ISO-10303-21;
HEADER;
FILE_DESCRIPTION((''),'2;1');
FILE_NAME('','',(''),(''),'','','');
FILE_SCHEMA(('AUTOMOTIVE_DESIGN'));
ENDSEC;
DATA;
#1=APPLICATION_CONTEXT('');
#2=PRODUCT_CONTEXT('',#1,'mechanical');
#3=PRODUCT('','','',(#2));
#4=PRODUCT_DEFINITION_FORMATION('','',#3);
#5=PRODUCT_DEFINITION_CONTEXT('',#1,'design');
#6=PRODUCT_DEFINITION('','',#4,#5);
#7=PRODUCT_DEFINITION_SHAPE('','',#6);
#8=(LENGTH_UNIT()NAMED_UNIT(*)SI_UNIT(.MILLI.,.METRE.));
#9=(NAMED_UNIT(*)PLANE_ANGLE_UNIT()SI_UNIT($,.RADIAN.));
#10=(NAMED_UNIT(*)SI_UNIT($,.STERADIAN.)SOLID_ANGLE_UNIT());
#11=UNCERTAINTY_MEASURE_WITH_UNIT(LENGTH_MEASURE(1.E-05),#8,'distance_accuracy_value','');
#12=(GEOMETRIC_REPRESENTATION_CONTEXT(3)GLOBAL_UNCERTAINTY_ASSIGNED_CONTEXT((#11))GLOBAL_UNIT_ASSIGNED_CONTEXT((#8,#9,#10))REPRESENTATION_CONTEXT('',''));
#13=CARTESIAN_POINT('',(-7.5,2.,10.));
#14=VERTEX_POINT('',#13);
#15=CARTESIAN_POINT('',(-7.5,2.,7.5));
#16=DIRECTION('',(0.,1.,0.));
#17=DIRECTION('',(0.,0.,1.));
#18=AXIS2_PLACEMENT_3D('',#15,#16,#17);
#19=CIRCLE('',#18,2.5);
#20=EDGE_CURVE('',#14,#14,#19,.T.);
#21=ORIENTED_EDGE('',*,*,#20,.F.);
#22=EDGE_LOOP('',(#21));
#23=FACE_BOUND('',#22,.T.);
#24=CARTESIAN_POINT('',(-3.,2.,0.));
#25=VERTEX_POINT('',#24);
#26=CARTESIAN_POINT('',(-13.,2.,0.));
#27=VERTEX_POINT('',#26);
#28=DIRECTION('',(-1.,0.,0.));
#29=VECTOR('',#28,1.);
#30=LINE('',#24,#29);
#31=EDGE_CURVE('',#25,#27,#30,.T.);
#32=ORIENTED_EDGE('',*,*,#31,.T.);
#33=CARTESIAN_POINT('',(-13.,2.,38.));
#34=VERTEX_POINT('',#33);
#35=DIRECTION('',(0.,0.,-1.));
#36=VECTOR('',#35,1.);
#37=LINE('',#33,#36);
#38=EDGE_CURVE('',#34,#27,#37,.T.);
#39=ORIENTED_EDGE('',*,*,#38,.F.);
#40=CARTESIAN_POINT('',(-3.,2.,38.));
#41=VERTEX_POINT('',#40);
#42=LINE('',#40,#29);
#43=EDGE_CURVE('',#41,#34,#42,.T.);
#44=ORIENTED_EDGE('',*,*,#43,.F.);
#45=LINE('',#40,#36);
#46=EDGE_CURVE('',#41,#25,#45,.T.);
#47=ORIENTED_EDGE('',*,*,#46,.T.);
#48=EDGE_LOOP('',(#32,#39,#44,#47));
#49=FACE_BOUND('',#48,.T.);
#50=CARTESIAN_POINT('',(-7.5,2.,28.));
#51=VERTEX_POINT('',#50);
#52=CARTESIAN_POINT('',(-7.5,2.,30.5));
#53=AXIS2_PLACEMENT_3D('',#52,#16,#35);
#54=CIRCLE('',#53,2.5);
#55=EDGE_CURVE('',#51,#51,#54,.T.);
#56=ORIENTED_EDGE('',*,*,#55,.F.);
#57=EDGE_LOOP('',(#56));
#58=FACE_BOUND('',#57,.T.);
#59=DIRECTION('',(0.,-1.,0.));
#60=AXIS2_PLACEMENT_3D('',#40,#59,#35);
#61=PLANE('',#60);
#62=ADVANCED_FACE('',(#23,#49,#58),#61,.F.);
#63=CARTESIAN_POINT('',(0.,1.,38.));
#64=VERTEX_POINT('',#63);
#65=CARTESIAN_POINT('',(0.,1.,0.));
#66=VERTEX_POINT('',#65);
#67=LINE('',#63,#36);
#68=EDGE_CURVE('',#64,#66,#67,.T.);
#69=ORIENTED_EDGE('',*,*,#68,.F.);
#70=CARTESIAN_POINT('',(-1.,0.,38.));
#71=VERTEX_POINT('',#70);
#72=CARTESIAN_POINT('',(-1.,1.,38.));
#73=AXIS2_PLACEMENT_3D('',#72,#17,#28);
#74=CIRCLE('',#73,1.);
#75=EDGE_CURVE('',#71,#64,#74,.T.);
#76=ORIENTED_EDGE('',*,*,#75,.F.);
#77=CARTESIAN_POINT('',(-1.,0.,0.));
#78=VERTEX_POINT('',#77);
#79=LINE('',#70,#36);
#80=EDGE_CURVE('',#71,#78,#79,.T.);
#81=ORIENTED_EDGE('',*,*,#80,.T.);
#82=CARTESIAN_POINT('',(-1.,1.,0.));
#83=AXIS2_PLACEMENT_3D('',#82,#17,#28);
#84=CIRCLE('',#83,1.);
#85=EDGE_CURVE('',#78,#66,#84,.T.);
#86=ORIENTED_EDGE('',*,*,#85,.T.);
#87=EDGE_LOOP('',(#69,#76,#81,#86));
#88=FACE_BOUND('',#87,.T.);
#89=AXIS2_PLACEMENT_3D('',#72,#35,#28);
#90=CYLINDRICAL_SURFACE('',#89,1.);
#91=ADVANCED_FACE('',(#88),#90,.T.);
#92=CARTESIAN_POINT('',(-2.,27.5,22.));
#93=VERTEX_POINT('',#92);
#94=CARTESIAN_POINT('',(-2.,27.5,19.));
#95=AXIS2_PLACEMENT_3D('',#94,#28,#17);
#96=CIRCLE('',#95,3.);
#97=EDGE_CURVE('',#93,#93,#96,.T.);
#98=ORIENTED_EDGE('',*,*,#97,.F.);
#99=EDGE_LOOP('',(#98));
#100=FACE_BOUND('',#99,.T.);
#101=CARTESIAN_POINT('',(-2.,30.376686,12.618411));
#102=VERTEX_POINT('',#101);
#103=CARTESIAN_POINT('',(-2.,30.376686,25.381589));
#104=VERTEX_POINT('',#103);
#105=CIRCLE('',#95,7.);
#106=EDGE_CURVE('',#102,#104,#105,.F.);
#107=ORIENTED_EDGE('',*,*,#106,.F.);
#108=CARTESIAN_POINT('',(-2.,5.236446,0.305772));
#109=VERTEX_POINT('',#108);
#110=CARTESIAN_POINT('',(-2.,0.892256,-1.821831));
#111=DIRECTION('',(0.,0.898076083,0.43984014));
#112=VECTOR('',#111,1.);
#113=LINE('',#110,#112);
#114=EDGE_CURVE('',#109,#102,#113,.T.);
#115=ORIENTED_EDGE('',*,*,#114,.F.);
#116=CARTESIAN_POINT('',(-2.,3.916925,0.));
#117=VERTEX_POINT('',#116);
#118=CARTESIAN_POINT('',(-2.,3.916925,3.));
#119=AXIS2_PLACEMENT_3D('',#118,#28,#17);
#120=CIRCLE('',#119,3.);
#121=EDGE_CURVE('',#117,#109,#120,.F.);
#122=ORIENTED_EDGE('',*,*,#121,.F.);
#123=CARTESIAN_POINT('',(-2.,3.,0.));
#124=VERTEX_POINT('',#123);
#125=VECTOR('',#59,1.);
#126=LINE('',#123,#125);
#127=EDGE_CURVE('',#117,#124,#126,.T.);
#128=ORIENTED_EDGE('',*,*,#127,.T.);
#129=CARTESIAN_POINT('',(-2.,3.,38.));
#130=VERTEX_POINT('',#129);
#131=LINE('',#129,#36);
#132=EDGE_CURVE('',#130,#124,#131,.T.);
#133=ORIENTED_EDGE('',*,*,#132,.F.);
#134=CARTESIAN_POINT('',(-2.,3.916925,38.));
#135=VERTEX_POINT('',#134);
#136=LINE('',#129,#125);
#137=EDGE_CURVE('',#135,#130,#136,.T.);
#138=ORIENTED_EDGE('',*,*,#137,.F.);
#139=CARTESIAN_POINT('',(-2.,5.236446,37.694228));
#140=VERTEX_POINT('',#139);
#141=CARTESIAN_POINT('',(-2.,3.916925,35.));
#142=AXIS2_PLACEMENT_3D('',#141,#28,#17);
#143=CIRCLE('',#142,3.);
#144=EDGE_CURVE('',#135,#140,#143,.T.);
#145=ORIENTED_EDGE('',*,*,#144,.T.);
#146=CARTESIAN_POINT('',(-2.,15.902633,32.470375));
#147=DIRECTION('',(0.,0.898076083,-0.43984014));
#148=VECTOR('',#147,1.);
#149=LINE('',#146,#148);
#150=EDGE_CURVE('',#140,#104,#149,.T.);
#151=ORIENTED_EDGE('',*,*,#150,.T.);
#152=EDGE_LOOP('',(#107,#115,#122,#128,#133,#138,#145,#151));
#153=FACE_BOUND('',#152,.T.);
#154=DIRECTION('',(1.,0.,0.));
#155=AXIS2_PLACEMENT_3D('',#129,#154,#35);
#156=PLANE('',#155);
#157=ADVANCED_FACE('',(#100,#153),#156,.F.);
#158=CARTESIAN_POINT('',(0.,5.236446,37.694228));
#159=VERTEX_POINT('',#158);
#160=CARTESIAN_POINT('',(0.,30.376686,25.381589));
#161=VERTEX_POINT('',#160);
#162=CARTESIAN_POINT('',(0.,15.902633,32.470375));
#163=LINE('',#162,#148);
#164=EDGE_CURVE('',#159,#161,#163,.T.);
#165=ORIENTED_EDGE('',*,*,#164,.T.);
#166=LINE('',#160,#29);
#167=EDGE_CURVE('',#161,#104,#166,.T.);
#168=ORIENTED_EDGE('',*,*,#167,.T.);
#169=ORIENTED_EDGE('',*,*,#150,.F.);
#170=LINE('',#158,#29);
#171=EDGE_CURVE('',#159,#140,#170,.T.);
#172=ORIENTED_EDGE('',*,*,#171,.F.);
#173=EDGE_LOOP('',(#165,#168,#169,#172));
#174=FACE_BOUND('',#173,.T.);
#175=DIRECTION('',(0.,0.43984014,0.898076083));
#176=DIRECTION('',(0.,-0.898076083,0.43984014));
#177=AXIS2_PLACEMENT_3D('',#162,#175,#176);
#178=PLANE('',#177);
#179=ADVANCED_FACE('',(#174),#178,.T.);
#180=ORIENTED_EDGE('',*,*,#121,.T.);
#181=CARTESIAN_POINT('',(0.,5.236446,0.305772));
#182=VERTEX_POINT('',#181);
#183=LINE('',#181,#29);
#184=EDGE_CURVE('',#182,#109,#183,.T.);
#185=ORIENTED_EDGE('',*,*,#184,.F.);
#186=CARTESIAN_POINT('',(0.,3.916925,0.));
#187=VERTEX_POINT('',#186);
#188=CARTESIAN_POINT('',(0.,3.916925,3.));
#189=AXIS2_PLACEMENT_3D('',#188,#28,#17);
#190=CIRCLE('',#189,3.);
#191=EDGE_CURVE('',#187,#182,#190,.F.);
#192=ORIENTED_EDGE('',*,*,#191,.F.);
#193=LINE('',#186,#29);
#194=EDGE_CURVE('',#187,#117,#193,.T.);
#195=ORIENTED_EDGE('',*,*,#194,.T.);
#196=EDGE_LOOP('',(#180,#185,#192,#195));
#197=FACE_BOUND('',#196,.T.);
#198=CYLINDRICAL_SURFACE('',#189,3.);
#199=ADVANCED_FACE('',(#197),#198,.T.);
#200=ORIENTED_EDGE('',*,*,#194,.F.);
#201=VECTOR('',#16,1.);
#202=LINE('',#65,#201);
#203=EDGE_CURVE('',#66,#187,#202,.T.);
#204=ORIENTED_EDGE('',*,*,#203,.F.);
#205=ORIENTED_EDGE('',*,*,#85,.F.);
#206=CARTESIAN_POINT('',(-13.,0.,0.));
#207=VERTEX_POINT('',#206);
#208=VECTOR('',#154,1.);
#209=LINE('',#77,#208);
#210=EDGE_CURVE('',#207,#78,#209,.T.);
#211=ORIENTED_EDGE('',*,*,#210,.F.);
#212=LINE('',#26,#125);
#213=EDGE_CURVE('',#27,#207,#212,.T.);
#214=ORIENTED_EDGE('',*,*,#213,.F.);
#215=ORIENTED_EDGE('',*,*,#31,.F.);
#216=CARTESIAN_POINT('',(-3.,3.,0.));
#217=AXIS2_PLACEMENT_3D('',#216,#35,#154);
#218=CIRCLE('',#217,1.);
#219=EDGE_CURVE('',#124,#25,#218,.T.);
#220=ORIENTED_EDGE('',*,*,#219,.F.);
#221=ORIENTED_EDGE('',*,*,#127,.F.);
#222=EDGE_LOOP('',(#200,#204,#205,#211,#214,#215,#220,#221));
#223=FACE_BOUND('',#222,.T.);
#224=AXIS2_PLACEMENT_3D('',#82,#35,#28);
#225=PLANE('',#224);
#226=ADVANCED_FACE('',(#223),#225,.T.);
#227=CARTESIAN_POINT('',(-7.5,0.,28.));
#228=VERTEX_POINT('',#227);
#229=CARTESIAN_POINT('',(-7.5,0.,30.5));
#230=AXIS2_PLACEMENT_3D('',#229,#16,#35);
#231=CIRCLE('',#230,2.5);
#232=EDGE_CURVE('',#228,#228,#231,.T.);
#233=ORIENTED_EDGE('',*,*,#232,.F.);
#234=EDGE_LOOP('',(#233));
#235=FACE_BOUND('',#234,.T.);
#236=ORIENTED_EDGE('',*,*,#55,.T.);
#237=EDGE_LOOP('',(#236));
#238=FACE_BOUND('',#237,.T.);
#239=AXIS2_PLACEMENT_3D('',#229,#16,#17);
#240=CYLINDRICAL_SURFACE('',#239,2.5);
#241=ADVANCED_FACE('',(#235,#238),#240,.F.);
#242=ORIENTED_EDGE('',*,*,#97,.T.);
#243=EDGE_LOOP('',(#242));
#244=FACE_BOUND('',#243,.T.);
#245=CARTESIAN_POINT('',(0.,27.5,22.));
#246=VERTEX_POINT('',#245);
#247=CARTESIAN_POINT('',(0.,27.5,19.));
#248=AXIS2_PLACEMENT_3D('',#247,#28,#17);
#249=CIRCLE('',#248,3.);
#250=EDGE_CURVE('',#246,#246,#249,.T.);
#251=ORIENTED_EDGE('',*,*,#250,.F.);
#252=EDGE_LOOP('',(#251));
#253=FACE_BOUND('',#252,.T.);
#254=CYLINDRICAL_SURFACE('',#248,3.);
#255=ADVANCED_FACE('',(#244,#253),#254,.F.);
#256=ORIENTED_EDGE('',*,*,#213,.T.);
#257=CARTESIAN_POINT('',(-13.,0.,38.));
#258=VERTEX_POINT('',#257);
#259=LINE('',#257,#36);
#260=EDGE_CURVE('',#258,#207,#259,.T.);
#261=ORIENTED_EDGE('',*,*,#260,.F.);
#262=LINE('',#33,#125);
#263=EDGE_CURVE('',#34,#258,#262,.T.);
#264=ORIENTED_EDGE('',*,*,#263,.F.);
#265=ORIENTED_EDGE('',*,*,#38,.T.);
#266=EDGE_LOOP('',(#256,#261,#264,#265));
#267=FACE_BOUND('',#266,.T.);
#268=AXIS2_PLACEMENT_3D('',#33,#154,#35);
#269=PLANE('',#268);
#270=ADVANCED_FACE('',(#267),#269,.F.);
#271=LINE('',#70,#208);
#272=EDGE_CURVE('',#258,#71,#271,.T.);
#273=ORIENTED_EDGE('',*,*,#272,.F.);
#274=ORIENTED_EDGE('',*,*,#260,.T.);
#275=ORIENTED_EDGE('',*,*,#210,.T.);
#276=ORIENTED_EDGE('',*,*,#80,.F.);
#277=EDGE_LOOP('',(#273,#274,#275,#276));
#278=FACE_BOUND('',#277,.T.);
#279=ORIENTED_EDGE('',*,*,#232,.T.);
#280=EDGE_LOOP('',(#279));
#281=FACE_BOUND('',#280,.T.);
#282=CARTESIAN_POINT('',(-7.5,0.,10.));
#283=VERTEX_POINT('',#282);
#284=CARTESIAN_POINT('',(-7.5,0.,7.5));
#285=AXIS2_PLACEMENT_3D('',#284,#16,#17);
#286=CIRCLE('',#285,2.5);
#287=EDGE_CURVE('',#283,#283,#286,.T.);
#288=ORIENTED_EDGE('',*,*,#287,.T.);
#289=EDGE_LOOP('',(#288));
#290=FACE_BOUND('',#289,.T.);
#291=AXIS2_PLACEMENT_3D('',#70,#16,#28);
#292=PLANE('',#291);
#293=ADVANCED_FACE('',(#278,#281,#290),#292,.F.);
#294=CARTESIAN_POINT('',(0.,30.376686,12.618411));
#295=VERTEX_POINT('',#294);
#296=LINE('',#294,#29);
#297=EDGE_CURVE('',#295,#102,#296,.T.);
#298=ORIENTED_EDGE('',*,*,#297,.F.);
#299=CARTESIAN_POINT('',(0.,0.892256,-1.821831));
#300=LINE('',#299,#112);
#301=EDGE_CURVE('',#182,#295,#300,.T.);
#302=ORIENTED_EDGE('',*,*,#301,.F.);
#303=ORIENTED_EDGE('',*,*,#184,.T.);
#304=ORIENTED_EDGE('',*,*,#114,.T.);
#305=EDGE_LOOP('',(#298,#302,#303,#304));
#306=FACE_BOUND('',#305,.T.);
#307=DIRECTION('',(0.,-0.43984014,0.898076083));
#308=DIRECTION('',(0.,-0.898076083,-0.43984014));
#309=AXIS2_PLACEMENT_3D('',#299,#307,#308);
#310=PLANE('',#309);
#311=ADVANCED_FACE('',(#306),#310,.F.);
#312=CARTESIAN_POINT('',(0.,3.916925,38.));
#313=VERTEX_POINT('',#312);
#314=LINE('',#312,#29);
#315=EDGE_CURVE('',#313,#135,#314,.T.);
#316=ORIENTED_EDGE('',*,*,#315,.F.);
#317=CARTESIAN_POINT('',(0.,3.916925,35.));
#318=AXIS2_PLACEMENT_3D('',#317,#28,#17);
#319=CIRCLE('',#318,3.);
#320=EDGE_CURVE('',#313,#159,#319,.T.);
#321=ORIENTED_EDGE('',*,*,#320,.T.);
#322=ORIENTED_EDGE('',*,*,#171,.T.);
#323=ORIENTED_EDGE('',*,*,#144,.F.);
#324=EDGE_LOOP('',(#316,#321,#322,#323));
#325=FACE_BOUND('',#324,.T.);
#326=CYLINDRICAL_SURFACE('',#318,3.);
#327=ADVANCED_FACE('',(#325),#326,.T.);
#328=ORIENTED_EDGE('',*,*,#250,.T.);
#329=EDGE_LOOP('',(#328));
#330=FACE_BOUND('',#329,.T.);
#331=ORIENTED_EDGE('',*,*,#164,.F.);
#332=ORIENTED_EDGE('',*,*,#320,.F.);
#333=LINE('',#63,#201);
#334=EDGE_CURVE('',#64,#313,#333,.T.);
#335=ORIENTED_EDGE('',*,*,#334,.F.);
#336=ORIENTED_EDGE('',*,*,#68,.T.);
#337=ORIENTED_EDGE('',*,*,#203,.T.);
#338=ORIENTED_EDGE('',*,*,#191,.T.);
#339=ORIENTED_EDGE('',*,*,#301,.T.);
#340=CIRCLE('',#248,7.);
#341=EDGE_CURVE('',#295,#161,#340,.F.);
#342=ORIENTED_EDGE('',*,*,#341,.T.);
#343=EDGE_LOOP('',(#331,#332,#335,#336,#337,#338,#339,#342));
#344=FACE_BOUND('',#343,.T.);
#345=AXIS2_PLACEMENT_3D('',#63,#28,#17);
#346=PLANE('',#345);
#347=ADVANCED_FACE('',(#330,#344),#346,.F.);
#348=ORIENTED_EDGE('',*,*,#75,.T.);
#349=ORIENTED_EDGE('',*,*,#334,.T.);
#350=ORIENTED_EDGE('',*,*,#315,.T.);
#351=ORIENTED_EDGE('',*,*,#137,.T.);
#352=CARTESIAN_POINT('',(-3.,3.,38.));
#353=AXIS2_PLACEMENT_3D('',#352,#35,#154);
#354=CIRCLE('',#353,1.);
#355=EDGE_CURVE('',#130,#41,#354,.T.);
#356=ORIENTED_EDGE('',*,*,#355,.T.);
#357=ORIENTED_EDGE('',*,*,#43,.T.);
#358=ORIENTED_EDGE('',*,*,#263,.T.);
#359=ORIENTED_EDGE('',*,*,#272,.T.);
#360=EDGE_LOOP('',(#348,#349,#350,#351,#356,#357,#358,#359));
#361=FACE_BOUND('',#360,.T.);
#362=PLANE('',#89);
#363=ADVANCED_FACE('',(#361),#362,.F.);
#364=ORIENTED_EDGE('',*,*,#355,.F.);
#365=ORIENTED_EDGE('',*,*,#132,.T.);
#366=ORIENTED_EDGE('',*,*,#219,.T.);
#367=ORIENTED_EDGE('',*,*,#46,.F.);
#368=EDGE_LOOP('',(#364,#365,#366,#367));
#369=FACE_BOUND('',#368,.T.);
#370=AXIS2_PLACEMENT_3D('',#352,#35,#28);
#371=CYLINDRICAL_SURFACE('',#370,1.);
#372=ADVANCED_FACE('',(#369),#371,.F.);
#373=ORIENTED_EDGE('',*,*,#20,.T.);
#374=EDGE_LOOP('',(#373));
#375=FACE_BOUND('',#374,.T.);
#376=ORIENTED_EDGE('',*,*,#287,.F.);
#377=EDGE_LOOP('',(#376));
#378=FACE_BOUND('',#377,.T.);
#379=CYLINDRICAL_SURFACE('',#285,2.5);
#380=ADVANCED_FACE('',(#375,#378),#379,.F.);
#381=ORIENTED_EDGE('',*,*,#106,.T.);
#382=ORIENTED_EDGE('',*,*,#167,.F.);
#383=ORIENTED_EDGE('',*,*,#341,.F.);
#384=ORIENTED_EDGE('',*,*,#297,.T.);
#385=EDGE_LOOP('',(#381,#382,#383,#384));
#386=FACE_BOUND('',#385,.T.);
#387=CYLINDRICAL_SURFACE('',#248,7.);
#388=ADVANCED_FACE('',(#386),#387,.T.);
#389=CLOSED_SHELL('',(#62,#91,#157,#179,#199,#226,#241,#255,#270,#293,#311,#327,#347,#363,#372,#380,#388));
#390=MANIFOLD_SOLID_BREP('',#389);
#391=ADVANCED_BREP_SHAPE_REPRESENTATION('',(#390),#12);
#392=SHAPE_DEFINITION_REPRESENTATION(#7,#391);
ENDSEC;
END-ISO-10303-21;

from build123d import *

# Parameters (mm, degrees)
EXTRUDE_1_DEPTH     = 38
SKETCH_2_R          = 2.5
CUT_EXTRUDE_1_DEPTH = 52.664784912
SKETCH_3_R          = 3
CUT_EXTRUDE_2_DEPTH = 53.490475326
CUT_EXTRUDE_3_DEPTH = 53.490475326


with BuildPart() as part:
    # 草图1 → 凸台-拉伸1 (new body)
    with BuildSketch(Plane.XY):
        with BuildLine():
            Line((0, 1), (0, 34.5))
            Line((0, 34.5), (-2, 34.5))
            Line((-2, 34.5), (-2, 3))
            ThreePointArc((-2, 3), (-2.292893219, 2.292893219), (-3, 2))
            Line((-3, 2), (-13, 2))
            Line((-13, 2), (-13, 0))
            Line((-13, 0), (-1, 0))
            ThreePointArc((-1, 0), (-0.292893219, 0.292893219), (0, 1))
        make_face()
    extrude(amount=EXTRUDE_1_DEPTH)

    # 草图2 → 切除-拉伸1 (cut, through all)
    with BuildSketch(Plane(origin=(0, 2, 0), x_dir=(1, 0, 0), z_dir=(0, 1, 0))):
        with Locations(Location((-7.5, -7.5, 0), (0, 0, 270))):
            Circle(SKETCH_2_R)
        with Locations(Location((-7.5, -30.5, 0), (0, 0, 90))):
            Circle(SKETCH_2_R)
    extrude(amount=-CUT_EXTRUDE_1_DEPTH, mode=Mode.SUBTRACT)

    # 草图3 → 切除-拉伸2 (cut, through all)
    with BuildSketch(Plane.ZY.offset(2)):
        with Locations((19, 27.5)):
            Circle(SKETCH_3_R)
    extrude(amount=-CUT_EXTRUDE_2_DEPTH, mode=Mode.SUBTRACT)

    # 草图4 → 切除-拉伸3 (cut, through all)
    with BuildSketch(Plane.ZY.offset(2)):
        with BuildLine():
            Line((0, 34.5), (0, 3.916925189))
            ThreePointArc((0, 3.916925189), (0.077442494, 4.594167854), (0.305771751, 5.23644561))
            Line((0.305771751, 5.23644561), (12.618411108, 30.376686151))
            ThreePointArc((12.618411108, 30.376686151), (15.201105625, 33.379489904), (19, 34.5))
            Line((19, 34.5), (0, 34.5))
        make_face()
        with BuildLine():
            Line((38, 34.5), (19, 34.5))
            ThreePointArc((19, 34.5), (22.798894375, 33.379489904), (25.381588892, 30.376686151))
            Line((25.381588892, 30.376686151), (37.694228249, 5.23644561))
            ThreePointArc((37.694228249, 5.23644561), (37.922557506, 4.594167854), (38, 3.916925189))
            Line((38, 3.916925189), (38, 34.5))
        make_face()
    extrude(amount=-CUT_EXTRUDE_3_DEPTH, mode=Mode.SUBTRACT)


solid = part.part
